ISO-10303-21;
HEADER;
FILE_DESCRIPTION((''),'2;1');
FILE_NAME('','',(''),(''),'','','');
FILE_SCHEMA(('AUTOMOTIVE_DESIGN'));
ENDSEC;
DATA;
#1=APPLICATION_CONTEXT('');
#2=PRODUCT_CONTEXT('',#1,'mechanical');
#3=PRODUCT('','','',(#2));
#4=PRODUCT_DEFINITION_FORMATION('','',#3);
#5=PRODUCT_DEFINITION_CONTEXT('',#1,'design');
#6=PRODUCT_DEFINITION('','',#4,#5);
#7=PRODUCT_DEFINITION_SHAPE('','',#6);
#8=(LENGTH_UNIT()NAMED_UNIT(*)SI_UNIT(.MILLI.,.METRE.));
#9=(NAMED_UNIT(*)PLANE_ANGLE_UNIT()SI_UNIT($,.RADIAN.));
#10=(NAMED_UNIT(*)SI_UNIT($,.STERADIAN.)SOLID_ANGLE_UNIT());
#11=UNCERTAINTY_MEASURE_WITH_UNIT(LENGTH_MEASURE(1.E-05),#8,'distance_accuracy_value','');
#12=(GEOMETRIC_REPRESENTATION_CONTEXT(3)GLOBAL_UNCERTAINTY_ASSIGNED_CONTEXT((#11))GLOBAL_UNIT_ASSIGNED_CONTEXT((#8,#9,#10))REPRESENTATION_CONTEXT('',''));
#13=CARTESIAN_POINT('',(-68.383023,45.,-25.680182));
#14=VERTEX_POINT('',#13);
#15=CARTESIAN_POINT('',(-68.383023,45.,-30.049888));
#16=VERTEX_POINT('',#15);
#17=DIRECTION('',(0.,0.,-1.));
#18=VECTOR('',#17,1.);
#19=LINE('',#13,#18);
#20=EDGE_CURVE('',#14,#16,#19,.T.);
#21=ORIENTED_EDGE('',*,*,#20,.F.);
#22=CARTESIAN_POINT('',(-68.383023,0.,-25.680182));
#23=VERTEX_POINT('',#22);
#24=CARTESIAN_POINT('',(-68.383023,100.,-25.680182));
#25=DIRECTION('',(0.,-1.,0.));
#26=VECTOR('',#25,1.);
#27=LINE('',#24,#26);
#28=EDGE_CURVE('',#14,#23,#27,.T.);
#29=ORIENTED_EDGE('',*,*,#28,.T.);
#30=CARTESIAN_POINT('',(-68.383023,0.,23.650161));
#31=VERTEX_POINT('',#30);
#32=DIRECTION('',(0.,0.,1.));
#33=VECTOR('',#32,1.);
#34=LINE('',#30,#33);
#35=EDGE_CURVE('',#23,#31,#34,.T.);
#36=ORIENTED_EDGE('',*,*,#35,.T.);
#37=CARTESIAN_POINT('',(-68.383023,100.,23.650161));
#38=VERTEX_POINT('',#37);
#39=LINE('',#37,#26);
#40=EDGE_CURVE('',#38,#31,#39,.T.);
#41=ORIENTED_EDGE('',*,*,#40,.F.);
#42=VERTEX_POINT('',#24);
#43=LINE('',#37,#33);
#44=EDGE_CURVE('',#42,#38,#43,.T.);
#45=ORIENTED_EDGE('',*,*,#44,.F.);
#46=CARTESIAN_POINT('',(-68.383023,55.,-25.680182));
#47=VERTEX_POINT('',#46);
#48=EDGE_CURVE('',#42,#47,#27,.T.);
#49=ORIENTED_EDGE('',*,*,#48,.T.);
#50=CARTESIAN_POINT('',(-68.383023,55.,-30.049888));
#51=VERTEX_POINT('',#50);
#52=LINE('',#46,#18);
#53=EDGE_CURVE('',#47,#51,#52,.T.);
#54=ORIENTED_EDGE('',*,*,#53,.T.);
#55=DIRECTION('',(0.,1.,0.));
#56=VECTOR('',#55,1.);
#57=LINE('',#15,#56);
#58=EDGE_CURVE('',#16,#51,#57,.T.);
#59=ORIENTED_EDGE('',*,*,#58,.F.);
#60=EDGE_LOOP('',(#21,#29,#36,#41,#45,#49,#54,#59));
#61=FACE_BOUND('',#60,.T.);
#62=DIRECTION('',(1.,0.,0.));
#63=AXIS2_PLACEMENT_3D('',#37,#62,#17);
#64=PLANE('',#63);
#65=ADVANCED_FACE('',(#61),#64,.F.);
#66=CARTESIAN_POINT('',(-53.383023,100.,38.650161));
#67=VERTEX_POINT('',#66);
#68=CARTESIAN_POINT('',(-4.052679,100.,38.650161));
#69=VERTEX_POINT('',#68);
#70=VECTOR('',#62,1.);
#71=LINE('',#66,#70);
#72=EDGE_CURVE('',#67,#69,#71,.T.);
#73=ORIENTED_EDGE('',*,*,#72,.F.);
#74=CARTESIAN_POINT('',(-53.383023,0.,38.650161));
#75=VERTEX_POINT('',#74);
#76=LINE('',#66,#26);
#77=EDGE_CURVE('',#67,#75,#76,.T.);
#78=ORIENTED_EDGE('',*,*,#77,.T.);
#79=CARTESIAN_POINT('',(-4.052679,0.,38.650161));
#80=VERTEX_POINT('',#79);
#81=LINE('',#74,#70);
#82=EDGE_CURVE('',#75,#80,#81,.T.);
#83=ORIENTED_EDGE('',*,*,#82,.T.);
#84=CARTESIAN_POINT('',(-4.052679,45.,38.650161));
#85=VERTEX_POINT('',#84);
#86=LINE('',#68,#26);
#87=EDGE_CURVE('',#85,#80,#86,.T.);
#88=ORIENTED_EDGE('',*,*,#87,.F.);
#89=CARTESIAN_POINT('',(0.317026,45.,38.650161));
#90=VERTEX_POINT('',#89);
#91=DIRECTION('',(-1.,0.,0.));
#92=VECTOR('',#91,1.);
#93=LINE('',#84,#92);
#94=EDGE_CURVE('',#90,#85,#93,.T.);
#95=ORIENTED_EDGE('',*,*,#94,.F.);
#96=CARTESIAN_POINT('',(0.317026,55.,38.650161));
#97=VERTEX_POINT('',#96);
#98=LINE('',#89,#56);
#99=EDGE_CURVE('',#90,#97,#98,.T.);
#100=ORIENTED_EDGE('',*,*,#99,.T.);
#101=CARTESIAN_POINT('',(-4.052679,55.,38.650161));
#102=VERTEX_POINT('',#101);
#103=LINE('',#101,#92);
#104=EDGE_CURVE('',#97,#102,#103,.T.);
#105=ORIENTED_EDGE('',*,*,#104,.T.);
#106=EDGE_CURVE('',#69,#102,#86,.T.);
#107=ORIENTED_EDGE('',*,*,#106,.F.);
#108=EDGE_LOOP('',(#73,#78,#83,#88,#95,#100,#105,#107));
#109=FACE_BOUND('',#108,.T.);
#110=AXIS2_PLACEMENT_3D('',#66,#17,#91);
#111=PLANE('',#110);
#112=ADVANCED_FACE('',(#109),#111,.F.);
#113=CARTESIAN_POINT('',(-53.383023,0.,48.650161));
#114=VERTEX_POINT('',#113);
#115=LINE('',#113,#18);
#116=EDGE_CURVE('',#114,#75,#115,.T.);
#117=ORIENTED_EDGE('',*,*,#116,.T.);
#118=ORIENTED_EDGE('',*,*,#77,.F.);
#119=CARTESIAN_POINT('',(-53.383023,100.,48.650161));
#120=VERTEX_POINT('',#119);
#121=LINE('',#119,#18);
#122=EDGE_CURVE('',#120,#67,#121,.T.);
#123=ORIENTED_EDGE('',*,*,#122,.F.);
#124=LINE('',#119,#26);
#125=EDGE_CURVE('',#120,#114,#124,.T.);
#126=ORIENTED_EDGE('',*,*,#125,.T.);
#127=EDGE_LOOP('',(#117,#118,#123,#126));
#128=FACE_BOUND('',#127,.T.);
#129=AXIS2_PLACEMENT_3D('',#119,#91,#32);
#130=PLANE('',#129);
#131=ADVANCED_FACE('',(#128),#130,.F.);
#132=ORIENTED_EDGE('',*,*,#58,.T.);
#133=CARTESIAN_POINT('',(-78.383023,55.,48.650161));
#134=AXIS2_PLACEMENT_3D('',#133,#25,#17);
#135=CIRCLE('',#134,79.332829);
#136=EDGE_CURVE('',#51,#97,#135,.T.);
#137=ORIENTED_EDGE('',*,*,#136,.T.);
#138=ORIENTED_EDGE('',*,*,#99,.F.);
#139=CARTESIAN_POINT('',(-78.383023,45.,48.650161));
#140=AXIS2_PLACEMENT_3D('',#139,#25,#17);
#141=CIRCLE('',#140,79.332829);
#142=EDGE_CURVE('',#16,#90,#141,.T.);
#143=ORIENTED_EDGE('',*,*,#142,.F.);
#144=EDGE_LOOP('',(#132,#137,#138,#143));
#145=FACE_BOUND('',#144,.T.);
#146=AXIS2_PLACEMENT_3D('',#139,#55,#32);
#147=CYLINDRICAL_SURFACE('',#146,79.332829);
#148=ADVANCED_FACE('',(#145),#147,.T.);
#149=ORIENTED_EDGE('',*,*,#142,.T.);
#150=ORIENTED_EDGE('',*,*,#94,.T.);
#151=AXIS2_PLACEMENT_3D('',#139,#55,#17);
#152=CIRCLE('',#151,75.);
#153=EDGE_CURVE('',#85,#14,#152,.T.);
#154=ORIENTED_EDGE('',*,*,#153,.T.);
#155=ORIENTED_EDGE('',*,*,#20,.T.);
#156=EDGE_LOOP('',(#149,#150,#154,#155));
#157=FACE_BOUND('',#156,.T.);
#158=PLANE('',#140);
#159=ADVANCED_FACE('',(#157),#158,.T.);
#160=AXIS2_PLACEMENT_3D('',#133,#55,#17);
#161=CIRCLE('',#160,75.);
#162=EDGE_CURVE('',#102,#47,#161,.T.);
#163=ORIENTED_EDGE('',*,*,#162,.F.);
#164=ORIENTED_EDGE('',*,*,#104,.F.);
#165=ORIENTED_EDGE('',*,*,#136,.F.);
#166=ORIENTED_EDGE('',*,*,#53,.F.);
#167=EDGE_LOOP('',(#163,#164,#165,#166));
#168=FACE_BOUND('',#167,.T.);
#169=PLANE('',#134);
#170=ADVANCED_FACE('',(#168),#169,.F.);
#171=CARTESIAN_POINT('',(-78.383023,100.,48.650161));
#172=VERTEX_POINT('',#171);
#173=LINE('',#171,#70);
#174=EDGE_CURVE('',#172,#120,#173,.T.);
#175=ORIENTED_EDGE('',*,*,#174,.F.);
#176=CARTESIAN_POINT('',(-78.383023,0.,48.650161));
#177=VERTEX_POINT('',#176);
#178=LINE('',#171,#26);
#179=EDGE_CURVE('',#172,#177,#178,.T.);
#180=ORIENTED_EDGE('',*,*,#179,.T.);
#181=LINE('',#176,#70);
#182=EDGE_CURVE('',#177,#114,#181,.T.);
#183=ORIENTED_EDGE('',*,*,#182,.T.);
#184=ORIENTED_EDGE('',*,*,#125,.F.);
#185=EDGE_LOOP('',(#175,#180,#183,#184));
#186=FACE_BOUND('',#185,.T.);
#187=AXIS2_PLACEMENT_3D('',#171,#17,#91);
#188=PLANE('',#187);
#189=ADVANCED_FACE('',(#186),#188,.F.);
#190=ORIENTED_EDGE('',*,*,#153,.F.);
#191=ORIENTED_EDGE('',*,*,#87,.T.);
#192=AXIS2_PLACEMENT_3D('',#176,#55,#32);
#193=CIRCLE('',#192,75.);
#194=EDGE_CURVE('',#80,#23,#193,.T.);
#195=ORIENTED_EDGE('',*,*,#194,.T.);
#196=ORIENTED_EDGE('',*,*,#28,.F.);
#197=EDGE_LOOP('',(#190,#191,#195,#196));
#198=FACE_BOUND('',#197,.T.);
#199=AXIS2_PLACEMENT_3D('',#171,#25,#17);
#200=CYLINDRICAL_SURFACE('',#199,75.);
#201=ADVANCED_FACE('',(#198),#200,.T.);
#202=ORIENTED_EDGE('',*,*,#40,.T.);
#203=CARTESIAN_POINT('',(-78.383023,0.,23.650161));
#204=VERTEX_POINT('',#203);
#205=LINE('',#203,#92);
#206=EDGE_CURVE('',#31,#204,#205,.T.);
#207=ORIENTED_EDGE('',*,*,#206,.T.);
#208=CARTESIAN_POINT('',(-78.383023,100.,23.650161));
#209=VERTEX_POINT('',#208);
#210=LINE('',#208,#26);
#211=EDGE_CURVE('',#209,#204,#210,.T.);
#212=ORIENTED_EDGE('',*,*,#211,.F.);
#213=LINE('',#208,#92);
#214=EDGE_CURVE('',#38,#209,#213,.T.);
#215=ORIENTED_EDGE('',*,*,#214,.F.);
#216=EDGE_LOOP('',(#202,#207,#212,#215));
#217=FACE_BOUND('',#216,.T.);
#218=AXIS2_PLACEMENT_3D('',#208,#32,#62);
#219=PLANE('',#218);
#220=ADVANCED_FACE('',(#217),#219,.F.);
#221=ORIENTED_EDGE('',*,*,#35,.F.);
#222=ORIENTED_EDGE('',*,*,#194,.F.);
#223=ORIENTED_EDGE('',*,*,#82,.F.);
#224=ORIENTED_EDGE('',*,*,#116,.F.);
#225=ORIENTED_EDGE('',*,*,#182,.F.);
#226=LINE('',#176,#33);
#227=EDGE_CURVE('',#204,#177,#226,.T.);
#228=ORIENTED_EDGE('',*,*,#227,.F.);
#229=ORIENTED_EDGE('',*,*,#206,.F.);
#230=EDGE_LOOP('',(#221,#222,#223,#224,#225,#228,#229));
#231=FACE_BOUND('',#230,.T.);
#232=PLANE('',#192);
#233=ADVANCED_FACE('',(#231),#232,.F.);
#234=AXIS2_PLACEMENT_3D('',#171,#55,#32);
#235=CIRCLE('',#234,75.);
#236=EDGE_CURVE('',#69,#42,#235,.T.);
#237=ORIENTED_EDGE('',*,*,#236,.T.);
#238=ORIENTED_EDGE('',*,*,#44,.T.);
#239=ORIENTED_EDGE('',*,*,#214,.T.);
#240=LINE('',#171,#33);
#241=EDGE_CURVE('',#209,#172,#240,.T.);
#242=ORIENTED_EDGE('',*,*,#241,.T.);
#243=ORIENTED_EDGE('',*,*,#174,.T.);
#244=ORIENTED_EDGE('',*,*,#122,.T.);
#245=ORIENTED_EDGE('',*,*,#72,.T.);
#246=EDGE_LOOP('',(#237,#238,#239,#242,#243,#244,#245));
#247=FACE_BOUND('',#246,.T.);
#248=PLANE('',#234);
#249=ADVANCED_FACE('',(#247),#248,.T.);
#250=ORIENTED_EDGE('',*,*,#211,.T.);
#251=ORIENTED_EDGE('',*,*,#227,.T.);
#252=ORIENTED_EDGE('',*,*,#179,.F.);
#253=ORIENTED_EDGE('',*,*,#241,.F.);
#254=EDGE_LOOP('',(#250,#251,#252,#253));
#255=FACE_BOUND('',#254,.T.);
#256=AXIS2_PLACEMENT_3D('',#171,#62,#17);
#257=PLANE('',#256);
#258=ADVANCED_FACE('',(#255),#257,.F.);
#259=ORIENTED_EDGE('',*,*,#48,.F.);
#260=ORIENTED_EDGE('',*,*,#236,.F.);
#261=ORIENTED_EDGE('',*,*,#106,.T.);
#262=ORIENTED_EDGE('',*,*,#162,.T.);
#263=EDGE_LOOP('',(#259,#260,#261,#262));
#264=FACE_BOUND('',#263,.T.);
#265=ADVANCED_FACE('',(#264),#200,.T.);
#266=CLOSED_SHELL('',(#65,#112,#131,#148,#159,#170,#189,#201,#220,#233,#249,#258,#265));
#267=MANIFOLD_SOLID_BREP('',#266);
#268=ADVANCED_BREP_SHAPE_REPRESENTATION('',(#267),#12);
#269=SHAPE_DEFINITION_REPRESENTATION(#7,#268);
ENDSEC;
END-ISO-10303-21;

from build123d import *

# Parameters (mm, degrees)
BOSS_EXTRUDE1_DEPTH = 100
BOSS_EXTRUDE2_DEPTH = 5


with BuildPart() as part:
    # Sketch2 → Boss-Extrude1 (new body)
    with BuildSketch(Plane(origin=(0, 0, 0), x_dir=(1, 0, 0), z_dir=(0, 1, 0))):
        with BuildLine():
            Line((-78.383022578, -48.650161377), (-78.383022578, -23.650161377))
            Line((-78.383022578, -23.650161377), (-68.383022578, -23.650161377))
            Line((-68.383022578, -23.650161377), (-68.383022578, 25.68018236))
            ThreePointArc((-68.383022578, 25.68018236), (-25.350013989, 4.382847212), (-4.052678842, -38.650161377))
            Line((-4.052678842, -38.650161377), (-53.383022578, -38.650161377))
            Line((-53.383022578, -38.650161377), (-53.383022578, -48.650161377))
            Line((-53.383022578, -48.650161377), (-78.383022578, -48.650161377))
        make_face()
    extrude(amount=BOSS_EXTRUDE1_DEPTH)

    # Sketch3 → Boss-Extrude2 (add, symmetric)
    with BuildSketch(Plane(origin=(0, 50, 0), x_dir=(-1, 0, 0), z_dir=(0, -1, 0))):
        with BuildLine():
            Line((68.383022578, 25.68018236), (68.383022578, 30.04988769))
            ThreePointArc((68.383022578, 30.04988769), (22.286241373, 7.446619828), (-0.317026488, -38.650161377))
            Line((-0.317026488, -38.650161377), (4.052678842, -38.650161377))
            ThreePointArc((4.052678842, -38.650161377), (25.350013989, 4.382847212), (68.383022578, 25.68018236))
        make_face()
    extrude(amount=BOSS_EXTRUDE2_DEPTH, both=True)


solid = part.part
